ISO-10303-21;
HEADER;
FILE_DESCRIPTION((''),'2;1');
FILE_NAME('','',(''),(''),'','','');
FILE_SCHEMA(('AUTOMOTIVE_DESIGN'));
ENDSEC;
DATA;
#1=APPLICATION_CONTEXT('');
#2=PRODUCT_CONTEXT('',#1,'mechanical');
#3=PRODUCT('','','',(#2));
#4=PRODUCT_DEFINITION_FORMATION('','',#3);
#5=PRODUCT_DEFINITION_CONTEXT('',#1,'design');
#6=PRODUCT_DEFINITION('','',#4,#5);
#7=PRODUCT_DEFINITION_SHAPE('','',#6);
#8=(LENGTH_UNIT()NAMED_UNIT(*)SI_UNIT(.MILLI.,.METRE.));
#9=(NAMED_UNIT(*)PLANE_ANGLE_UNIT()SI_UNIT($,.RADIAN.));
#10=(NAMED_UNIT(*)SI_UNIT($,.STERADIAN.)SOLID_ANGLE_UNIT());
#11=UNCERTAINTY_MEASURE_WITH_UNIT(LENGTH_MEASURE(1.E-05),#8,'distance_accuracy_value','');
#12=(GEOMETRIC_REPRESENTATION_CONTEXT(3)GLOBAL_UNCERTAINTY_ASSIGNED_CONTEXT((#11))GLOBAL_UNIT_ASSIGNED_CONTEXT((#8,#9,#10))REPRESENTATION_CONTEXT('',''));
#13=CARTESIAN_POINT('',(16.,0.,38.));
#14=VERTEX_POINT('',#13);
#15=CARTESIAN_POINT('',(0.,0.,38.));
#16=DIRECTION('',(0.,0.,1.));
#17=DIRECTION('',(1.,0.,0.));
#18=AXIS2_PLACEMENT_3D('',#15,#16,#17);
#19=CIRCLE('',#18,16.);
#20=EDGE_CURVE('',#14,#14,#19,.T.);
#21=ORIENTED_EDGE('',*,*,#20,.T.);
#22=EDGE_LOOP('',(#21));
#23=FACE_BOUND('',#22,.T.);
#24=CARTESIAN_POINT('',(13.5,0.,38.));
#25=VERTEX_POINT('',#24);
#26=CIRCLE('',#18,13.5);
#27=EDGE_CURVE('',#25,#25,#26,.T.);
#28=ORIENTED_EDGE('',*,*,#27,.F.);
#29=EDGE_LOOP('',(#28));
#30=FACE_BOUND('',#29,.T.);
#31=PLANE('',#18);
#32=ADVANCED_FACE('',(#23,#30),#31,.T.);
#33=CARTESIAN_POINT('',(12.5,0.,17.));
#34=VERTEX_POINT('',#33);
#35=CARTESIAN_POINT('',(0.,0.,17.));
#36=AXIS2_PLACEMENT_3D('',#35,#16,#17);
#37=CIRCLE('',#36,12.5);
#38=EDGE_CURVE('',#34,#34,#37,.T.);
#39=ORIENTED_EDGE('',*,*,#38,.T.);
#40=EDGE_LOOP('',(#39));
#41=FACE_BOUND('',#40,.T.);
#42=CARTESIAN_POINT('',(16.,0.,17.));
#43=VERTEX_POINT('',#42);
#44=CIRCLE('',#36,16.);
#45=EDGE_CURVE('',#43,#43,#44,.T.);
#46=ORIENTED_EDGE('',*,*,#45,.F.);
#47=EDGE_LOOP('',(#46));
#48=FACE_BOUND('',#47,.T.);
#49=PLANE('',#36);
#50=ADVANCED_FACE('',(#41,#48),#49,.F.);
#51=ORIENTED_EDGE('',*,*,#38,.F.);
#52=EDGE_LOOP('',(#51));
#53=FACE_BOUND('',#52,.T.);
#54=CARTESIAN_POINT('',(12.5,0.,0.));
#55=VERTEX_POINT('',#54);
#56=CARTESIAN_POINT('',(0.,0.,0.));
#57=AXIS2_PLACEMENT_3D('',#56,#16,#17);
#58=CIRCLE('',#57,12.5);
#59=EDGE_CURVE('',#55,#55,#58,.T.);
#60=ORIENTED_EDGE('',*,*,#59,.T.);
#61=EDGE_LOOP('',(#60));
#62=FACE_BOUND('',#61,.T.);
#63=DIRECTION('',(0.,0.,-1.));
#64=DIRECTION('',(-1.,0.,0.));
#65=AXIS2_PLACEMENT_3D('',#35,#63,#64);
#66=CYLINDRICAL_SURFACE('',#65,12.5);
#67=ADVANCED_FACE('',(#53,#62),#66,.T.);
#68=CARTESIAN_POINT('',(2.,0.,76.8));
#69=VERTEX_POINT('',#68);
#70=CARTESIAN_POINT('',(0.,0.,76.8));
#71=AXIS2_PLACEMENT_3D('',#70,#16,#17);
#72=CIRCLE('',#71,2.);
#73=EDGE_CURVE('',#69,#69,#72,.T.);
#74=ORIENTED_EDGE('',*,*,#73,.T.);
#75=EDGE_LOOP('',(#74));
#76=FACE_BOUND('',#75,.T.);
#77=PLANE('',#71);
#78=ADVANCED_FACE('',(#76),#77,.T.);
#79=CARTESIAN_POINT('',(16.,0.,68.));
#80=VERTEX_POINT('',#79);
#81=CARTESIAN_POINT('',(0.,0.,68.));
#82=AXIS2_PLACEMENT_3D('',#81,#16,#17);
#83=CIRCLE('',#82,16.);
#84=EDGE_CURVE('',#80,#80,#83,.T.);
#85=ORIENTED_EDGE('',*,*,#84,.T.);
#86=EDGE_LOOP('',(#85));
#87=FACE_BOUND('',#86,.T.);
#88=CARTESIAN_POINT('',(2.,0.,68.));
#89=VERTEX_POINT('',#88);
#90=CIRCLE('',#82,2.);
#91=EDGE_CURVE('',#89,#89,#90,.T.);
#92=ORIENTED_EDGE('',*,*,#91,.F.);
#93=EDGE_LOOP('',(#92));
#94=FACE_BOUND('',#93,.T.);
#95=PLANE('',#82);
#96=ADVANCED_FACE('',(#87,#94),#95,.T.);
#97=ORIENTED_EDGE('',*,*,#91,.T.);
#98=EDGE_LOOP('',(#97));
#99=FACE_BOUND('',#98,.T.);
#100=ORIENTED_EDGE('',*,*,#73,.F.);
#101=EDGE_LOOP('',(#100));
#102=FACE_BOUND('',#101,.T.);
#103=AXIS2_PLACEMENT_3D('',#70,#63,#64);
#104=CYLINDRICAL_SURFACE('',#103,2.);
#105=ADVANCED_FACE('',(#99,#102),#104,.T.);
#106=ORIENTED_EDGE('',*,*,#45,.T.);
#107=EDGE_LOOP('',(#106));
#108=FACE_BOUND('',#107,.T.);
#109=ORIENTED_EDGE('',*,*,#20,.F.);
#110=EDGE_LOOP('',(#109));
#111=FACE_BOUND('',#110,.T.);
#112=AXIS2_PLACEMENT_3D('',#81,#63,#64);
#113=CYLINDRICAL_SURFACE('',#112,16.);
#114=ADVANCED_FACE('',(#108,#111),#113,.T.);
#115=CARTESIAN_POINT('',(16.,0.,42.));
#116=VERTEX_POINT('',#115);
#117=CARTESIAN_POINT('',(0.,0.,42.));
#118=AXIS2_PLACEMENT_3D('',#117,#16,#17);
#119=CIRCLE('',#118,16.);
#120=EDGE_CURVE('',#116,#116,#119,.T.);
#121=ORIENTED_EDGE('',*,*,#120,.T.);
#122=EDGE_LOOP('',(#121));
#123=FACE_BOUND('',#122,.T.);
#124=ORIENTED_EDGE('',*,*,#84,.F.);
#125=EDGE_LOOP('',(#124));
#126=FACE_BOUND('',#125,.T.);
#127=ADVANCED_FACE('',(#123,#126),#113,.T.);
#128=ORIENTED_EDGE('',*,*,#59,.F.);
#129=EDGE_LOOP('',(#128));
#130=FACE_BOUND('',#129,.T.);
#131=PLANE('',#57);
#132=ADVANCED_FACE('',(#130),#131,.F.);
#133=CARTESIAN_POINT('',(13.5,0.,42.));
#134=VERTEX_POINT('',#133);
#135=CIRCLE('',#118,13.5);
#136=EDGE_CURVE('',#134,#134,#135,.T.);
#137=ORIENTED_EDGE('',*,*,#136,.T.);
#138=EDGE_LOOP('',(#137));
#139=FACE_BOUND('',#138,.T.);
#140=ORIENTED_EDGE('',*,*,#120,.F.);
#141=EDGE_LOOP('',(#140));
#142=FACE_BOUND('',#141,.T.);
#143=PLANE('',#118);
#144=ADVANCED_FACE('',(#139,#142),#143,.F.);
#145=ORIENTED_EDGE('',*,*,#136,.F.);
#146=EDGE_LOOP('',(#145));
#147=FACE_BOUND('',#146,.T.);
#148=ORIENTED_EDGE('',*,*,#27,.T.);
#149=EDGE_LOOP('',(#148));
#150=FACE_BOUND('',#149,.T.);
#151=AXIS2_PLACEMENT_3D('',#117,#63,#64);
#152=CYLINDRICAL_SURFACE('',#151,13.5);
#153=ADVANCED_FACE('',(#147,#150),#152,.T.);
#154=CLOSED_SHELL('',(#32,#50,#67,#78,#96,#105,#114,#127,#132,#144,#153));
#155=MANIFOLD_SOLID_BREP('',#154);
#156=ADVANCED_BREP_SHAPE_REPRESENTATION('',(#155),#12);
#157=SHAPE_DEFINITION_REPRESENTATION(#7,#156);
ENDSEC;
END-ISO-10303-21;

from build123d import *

# Parameters (mm, degrees)
SKETCH_1_R          = 12.5
EXTRUDE_1_DEPTH     = 17
SKETCH_2_R          = 16
EXTRUDE_2_DEPTH     = 51
SKETCH_3_R          = 2
EXTRUDE_3_DEPTH     = 8.8
SKETCH_7_R          = 20.782497367
SKETCH_7_R_2        = 13.5
CUT_EXTRUDE_8_DEPTH = 4


with BuildPart() as part:
    # Эскиз1 → Вытянуть1 (new body)
    with BuildSketch(Plane.XY):
        Circle(SKETCH_1_R)
    extrude(amount=EXTRUDE_1_DEPTH)

    # Эскиз2 → Вытянуть2 (add)
    with BuildSketch(Plane.XY.offset(17)):
        Circle(SKETCH_2_R)
    extrude(amount=EXTRUDE_2_DEPTH)

    # Эскиз3 → Вытянуть3 (add)
    with BuildSketch(Plane.XY.offset(68)):
        Circle(SKETCH_3_R)
    extrude(amount=EXTRUDE_3_DEPTH)

    # Эскиз7 → Вытянуть8 (cut)
    with BuildSketch(Plane.XY.offset(38)):
        Circle(SKETCH_7_R)
        Circle(SKETCH_7_R_2, mode=Mode.SUBTRACT)
    extrude(amount=CUT_EXTRUDE_8_DEPTH, mode=Mode.SUBTRACT)


solid = part.part
